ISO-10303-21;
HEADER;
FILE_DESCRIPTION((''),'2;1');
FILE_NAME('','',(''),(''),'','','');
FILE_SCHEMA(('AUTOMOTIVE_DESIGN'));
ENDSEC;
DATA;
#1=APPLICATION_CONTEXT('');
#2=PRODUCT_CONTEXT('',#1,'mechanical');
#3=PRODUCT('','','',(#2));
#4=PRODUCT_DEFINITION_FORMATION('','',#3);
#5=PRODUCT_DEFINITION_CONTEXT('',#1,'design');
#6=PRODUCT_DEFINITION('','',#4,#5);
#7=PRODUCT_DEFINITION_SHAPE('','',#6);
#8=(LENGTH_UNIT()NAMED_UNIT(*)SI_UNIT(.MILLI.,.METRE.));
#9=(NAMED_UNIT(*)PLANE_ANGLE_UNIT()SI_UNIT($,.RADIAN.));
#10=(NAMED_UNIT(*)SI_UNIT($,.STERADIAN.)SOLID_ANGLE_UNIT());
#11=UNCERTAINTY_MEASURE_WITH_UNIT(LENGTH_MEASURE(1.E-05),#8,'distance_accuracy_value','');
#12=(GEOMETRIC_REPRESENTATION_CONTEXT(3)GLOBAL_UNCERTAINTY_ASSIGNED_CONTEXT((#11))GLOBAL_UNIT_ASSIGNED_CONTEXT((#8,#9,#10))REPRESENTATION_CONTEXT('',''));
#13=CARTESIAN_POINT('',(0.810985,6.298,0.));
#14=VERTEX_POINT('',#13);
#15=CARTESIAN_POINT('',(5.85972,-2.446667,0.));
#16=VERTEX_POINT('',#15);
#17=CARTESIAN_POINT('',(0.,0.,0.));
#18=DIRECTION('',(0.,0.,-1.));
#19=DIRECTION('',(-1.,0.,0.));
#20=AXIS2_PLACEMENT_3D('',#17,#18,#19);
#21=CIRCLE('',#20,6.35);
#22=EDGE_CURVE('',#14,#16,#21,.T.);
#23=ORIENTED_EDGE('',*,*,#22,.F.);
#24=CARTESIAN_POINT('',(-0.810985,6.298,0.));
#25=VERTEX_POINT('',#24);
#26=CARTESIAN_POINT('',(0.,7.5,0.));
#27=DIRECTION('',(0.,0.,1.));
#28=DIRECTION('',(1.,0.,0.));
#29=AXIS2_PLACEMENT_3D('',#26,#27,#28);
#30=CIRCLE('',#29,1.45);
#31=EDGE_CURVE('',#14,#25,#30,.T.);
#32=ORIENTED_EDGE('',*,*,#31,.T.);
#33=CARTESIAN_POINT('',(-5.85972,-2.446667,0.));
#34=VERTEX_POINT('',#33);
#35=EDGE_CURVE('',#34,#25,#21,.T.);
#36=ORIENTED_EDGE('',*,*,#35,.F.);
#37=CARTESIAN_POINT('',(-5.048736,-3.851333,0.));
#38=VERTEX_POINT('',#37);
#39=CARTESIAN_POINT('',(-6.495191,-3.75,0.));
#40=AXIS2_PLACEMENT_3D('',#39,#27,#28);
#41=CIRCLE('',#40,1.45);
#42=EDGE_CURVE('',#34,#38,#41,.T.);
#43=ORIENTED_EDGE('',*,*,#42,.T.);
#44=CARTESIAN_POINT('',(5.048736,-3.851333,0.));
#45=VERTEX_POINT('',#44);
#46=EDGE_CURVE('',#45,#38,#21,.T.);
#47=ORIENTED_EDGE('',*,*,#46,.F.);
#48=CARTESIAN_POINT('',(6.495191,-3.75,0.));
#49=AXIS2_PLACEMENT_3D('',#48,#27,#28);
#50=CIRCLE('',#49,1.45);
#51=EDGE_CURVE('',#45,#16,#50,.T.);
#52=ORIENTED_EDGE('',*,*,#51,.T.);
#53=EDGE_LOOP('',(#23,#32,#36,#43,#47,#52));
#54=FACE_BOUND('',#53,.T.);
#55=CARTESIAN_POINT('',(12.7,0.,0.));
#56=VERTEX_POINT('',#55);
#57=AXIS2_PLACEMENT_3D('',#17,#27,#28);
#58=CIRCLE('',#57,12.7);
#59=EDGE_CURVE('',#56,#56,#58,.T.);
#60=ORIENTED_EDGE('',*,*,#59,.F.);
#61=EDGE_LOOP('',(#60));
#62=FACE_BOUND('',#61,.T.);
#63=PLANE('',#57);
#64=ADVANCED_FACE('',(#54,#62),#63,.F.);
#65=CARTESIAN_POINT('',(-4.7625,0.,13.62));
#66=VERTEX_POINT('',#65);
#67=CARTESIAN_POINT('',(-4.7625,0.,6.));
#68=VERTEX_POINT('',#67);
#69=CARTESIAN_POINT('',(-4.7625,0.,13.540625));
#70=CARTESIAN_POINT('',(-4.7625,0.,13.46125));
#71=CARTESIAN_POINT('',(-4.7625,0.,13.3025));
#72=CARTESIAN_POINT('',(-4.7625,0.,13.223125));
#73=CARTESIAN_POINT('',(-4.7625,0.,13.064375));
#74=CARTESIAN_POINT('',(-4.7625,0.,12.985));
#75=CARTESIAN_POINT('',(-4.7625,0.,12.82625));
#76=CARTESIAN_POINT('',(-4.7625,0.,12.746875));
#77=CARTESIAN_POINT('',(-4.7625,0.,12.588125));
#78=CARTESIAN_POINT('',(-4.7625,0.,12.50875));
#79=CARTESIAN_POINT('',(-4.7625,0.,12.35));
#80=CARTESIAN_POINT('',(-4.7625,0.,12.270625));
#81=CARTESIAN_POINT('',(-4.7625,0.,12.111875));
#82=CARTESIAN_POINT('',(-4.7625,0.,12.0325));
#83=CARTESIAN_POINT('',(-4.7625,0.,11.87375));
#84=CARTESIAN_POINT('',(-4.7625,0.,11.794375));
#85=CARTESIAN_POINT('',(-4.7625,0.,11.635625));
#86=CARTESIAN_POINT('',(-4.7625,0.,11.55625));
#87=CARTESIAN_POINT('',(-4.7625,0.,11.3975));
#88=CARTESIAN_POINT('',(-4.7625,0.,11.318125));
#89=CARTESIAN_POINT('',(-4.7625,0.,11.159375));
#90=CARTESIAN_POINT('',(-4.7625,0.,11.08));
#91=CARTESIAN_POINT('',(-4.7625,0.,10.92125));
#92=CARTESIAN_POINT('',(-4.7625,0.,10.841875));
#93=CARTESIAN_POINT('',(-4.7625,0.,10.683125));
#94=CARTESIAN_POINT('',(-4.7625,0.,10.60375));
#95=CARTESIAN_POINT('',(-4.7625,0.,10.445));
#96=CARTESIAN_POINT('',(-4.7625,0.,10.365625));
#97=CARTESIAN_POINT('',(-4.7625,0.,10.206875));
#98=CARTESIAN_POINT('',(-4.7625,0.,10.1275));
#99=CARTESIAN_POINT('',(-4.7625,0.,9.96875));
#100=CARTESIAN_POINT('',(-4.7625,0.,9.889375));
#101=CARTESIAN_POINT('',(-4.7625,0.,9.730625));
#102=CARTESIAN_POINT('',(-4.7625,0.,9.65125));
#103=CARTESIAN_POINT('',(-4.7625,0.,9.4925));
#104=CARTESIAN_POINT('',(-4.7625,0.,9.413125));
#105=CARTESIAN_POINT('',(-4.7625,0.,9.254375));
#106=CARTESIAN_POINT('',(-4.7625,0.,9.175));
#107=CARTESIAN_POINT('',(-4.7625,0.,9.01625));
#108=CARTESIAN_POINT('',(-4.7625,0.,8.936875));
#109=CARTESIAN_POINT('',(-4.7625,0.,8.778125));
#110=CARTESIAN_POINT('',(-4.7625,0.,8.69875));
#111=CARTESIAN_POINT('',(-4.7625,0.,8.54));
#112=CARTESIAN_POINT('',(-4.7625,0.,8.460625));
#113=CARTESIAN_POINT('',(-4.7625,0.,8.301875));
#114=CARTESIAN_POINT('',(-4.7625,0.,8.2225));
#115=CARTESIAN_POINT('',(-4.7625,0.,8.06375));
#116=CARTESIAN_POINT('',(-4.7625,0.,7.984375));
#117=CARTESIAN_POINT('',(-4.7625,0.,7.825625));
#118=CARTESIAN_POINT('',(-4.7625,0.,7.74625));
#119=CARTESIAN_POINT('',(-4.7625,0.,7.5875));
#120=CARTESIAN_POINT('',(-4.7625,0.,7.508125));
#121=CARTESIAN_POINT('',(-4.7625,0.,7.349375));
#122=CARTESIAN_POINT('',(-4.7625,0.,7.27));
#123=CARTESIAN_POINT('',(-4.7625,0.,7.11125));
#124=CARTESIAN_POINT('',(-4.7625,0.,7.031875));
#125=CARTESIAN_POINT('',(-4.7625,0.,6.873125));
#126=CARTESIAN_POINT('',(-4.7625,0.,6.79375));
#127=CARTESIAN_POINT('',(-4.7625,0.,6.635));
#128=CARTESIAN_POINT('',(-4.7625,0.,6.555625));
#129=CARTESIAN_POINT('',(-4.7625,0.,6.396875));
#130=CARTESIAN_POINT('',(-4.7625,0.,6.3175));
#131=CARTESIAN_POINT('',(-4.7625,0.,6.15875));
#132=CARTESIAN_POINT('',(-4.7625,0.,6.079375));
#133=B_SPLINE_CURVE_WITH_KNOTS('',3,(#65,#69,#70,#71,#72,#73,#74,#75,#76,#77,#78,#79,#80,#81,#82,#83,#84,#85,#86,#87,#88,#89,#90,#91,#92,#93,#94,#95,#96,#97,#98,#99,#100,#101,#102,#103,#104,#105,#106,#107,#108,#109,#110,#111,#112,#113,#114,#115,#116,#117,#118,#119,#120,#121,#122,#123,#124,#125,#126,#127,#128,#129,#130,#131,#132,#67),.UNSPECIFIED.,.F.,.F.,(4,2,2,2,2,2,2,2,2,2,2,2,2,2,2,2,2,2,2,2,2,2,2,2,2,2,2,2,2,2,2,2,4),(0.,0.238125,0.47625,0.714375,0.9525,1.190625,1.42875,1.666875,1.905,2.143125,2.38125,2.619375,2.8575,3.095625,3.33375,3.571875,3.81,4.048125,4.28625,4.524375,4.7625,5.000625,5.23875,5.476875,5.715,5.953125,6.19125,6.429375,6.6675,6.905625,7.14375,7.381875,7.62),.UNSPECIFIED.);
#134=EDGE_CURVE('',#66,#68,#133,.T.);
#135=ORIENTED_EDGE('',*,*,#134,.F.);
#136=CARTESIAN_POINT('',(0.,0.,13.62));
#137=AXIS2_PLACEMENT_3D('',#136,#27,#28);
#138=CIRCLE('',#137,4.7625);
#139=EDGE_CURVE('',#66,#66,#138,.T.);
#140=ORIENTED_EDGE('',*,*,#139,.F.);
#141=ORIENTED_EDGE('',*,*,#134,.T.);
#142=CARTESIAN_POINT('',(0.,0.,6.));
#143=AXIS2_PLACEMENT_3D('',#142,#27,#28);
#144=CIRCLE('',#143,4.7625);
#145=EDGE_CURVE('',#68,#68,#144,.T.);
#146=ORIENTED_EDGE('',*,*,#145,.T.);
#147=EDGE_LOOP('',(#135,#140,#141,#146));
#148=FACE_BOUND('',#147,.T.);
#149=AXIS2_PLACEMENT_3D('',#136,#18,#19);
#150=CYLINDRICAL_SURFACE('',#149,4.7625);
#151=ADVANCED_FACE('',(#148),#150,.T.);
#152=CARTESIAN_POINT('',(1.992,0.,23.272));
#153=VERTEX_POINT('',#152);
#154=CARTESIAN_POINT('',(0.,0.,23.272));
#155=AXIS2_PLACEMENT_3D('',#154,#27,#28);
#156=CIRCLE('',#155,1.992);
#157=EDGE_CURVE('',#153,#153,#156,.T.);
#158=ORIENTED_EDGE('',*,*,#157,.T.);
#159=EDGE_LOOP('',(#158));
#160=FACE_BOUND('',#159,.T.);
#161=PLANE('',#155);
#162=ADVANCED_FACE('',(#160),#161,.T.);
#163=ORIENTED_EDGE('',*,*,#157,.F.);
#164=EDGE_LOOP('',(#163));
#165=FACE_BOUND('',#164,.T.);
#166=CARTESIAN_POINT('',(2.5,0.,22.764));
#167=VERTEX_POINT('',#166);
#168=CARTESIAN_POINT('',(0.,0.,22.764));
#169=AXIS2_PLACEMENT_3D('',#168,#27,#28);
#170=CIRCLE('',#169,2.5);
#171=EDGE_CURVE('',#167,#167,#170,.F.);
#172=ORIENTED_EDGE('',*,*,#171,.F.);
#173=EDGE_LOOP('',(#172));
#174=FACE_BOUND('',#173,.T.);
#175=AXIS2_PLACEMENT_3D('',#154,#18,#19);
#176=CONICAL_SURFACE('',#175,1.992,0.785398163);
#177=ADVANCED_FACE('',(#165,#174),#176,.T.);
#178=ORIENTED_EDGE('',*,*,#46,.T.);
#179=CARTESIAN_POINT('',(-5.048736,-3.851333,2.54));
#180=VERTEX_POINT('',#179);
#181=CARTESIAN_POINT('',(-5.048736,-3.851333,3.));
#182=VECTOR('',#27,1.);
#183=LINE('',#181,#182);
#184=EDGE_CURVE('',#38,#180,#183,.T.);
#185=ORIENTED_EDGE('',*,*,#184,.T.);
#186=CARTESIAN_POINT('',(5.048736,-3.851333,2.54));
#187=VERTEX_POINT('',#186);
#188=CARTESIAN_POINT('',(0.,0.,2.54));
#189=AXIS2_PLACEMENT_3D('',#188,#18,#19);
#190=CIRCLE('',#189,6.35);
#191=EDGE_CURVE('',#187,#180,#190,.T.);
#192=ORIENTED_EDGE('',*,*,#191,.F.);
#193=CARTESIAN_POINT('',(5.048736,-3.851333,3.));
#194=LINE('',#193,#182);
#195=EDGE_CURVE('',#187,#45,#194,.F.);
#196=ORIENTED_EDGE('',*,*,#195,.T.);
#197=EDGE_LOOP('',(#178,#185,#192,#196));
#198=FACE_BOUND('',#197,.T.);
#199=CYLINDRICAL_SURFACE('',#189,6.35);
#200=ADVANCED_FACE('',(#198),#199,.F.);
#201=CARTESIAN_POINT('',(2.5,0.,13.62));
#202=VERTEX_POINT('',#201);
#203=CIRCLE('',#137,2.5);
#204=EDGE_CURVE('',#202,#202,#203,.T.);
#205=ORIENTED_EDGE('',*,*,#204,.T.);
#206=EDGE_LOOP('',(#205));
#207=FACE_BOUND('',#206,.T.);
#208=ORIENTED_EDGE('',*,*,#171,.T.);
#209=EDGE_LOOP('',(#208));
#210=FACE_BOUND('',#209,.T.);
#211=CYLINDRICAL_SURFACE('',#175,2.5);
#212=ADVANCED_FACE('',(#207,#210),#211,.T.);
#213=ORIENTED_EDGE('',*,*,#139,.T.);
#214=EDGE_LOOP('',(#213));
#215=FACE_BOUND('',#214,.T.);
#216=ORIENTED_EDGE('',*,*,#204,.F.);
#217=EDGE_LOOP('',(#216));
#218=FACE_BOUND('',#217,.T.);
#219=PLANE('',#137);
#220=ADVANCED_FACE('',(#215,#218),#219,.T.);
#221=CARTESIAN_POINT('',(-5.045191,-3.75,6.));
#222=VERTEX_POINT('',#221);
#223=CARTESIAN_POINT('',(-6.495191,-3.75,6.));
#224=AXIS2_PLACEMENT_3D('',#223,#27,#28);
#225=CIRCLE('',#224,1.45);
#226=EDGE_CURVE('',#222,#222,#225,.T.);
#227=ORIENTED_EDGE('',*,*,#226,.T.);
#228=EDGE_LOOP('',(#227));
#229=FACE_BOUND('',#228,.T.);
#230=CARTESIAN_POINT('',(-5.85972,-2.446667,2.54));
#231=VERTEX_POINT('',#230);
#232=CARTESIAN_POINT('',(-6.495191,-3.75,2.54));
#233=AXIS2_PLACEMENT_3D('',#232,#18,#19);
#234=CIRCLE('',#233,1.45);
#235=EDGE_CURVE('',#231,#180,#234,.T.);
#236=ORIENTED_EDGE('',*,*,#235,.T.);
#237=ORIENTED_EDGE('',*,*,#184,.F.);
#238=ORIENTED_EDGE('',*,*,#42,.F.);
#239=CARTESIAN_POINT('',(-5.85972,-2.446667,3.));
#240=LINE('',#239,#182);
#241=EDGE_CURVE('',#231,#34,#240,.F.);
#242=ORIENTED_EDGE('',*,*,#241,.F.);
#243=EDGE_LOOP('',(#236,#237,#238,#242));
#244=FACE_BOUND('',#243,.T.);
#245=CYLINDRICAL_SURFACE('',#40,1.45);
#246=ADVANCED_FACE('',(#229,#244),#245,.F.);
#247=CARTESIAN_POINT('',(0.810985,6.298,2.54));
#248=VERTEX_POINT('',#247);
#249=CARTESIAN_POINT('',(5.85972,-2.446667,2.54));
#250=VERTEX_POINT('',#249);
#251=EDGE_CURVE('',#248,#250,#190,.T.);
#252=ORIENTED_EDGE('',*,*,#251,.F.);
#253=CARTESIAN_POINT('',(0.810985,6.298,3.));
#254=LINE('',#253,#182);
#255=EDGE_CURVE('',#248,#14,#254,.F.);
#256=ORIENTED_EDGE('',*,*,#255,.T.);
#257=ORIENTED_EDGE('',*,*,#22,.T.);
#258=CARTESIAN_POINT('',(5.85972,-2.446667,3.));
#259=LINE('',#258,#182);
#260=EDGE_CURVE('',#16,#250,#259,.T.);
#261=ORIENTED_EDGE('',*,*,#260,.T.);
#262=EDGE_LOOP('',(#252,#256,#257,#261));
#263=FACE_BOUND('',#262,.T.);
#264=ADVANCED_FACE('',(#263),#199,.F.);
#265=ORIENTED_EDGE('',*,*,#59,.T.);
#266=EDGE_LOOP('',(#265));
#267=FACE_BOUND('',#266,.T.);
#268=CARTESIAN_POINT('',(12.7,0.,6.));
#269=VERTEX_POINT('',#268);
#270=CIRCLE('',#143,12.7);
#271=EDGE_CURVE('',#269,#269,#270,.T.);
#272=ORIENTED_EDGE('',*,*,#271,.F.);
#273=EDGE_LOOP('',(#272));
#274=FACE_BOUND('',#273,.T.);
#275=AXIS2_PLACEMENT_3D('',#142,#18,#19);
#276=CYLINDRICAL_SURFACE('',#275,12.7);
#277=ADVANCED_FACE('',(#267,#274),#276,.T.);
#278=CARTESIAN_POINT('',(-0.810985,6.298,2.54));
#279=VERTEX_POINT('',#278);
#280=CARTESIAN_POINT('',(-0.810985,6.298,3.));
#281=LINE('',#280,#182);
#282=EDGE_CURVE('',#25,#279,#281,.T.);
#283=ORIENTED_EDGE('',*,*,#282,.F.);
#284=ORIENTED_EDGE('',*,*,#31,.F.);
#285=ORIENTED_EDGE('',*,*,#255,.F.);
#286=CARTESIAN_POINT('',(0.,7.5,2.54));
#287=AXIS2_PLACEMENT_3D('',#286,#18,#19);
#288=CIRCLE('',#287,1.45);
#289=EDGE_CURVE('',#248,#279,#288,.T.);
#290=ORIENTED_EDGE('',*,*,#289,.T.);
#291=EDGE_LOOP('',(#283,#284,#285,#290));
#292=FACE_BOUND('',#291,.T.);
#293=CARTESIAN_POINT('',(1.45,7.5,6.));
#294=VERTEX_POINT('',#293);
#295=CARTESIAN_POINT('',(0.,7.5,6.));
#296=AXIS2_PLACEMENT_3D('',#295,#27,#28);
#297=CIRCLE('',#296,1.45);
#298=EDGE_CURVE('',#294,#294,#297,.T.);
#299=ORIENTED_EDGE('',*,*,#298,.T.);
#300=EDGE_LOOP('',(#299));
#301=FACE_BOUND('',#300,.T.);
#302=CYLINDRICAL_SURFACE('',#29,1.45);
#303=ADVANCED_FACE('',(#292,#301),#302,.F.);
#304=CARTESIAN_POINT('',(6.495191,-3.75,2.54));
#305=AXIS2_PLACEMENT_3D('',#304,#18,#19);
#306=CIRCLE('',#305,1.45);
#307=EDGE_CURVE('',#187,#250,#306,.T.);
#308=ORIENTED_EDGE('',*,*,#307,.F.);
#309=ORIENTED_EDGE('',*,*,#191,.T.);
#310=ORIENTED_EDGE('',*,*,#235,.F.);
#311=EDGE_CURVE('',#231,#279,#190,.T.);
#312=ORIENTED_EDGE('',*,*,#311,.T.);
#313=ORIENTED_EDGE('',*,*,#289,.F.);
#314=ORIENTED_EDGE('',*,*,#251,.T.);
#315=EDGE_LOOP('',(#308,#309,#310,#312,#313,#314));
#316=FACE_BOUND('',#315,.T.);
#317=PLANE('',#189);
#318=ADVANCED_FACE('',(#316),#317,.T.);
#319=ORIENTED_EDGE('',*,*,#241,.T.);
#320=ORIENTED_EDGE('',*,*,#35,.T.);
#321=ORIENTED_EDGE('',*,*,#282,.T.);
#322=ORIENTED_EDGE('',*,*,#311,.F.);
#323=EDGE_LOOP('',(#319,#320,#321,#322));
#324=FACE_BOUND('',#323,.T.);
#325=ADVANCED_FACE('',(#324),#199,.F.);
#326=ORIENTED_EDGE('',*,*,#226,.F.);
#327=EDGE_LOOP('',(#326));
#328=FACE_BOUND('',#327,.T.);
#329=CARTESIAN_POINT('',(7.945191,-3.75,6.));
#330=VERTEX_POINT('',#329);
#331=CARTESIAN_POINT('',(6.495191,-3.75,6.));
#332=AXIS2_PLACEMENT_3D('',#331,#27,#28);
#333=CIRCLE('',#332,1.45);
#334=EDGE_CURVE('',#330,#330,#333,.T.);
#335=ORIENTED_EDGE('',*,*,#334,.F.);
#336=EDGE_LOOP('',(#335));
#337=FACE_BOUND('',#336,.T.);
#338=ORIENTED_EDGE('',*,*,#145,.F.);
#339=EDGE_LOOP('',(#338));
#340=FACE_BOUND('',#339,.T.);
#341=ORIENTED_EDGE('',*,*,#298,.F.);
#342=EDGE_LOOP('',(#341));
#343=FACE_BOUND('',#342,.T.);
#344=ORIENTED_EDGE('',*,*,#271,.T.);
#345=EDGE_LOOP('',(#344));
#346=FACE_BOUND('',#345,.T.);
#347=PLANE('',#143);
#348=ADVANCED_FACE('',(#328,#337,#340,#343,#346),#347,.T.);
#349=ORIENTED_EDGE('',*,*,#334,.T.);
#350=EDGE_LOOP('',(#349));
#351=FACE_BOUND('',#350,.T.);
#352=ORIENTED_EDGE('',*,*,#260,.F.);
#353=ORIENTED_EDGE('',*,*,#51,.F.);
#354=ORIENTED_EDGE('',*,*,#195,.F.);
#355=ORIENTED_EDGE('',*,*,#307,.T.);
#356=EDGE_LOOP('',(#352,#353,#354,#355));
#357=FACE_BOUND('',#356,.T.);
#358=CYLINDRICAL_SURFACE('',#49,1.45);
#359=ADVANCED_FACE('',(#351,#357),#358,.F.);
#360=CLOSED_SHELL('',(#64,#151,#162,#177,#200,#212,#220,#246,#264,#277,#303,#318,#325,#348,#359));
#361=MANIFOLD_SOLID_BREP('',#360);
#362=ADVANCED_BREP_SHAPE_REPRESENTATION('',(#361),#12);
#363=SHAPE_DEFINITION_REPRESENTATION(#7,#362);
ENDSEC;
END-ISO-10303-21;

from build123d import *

# Parameters (mm, degrees)
SKETCH1_R                    = 12.7
MOUNTING_FLANGE_DEPTH        = 6
SKETCH3_R                    = 6.35
MOTOR_SHAFT_RELIEF_DEPTH     = 2.54
SKETCH4_R                    = 1.45
SCREW_CLEARANCE_HOLES_DEPTH  = 19.936208702
SKETCH2_R                    = 2.5
DRIVE_SHAFT_DEPTH            = 17.272
CHAMFER1_SIZE                = 0.508
SKETCH5_R                    = 4.7625
SHAFT_SUPPORT_SHOULDER_DEPTH = 7.62


with BuildPart() as part:
    # Sketch1 → Mounting Flange (new body)
    with BuildSketch(Plane.XY):
        Circle(SKETCH1_R)
    extrude(amount=MOUNTING_FLANGE_DEPTH)

    # Sketch3 → Motor Shaft Relief (cut)
    with BuildSketch(Plane(origin=(0, 0, 0), x_dir=(-1, 0, 0), z_dir=(0, 0, -1))):
        Circle(SKETCH3_R)
    extrude(amount=-MOTOR_SHAFT_RELIEF_DEPTH, mode=Mode.SUBTRACT)

    # Sketch4 → Screw Clearance Holes (cut, through all)
    with BuildSketch(Plane.XY.offset(6)):
        with Locations((0, 7.5)):
            Circle(SKETCH4_R)
        with Locations((6.495190528, -3.75)):
            Circle(SKETCH4_R)
        with Locations((-6.495190528, -3.75)):
            Circle(SKETCH4_R)
    extrude(amount=-SCREW_CLEARANCE_HOLES_DEPTH, mode=Mode.SUBTRACT)

    # Sketch2 → Drive Shaft (add)
    with BuildSketch(Plane.XY.offset(6)):
        Circle(SKETCH2_R)
    extrude(amount=DRIVE_SHAFT_DEPTH)

    # Chamfer1
    chamfer1_edges = [part.edges().sort_by_distance(p)[0] for p in [
        (-2.5, 0, 23.272),
    ]]
    chamfer(chamfer1_edges, length=CHAMFER1_SIZE)

    # Sketch5 → Shaft Support Shoulder (add)
    with BuildSketch(Plane.XY.offset(6)):
        with Locations(Location((0, 0, 0), (0, 0, 180))):
            Circle(SKETCH5_R)
    extrude(amount=SHAFT_SUPPORT_SHOULDER_DEPTH)


solid = part.part
